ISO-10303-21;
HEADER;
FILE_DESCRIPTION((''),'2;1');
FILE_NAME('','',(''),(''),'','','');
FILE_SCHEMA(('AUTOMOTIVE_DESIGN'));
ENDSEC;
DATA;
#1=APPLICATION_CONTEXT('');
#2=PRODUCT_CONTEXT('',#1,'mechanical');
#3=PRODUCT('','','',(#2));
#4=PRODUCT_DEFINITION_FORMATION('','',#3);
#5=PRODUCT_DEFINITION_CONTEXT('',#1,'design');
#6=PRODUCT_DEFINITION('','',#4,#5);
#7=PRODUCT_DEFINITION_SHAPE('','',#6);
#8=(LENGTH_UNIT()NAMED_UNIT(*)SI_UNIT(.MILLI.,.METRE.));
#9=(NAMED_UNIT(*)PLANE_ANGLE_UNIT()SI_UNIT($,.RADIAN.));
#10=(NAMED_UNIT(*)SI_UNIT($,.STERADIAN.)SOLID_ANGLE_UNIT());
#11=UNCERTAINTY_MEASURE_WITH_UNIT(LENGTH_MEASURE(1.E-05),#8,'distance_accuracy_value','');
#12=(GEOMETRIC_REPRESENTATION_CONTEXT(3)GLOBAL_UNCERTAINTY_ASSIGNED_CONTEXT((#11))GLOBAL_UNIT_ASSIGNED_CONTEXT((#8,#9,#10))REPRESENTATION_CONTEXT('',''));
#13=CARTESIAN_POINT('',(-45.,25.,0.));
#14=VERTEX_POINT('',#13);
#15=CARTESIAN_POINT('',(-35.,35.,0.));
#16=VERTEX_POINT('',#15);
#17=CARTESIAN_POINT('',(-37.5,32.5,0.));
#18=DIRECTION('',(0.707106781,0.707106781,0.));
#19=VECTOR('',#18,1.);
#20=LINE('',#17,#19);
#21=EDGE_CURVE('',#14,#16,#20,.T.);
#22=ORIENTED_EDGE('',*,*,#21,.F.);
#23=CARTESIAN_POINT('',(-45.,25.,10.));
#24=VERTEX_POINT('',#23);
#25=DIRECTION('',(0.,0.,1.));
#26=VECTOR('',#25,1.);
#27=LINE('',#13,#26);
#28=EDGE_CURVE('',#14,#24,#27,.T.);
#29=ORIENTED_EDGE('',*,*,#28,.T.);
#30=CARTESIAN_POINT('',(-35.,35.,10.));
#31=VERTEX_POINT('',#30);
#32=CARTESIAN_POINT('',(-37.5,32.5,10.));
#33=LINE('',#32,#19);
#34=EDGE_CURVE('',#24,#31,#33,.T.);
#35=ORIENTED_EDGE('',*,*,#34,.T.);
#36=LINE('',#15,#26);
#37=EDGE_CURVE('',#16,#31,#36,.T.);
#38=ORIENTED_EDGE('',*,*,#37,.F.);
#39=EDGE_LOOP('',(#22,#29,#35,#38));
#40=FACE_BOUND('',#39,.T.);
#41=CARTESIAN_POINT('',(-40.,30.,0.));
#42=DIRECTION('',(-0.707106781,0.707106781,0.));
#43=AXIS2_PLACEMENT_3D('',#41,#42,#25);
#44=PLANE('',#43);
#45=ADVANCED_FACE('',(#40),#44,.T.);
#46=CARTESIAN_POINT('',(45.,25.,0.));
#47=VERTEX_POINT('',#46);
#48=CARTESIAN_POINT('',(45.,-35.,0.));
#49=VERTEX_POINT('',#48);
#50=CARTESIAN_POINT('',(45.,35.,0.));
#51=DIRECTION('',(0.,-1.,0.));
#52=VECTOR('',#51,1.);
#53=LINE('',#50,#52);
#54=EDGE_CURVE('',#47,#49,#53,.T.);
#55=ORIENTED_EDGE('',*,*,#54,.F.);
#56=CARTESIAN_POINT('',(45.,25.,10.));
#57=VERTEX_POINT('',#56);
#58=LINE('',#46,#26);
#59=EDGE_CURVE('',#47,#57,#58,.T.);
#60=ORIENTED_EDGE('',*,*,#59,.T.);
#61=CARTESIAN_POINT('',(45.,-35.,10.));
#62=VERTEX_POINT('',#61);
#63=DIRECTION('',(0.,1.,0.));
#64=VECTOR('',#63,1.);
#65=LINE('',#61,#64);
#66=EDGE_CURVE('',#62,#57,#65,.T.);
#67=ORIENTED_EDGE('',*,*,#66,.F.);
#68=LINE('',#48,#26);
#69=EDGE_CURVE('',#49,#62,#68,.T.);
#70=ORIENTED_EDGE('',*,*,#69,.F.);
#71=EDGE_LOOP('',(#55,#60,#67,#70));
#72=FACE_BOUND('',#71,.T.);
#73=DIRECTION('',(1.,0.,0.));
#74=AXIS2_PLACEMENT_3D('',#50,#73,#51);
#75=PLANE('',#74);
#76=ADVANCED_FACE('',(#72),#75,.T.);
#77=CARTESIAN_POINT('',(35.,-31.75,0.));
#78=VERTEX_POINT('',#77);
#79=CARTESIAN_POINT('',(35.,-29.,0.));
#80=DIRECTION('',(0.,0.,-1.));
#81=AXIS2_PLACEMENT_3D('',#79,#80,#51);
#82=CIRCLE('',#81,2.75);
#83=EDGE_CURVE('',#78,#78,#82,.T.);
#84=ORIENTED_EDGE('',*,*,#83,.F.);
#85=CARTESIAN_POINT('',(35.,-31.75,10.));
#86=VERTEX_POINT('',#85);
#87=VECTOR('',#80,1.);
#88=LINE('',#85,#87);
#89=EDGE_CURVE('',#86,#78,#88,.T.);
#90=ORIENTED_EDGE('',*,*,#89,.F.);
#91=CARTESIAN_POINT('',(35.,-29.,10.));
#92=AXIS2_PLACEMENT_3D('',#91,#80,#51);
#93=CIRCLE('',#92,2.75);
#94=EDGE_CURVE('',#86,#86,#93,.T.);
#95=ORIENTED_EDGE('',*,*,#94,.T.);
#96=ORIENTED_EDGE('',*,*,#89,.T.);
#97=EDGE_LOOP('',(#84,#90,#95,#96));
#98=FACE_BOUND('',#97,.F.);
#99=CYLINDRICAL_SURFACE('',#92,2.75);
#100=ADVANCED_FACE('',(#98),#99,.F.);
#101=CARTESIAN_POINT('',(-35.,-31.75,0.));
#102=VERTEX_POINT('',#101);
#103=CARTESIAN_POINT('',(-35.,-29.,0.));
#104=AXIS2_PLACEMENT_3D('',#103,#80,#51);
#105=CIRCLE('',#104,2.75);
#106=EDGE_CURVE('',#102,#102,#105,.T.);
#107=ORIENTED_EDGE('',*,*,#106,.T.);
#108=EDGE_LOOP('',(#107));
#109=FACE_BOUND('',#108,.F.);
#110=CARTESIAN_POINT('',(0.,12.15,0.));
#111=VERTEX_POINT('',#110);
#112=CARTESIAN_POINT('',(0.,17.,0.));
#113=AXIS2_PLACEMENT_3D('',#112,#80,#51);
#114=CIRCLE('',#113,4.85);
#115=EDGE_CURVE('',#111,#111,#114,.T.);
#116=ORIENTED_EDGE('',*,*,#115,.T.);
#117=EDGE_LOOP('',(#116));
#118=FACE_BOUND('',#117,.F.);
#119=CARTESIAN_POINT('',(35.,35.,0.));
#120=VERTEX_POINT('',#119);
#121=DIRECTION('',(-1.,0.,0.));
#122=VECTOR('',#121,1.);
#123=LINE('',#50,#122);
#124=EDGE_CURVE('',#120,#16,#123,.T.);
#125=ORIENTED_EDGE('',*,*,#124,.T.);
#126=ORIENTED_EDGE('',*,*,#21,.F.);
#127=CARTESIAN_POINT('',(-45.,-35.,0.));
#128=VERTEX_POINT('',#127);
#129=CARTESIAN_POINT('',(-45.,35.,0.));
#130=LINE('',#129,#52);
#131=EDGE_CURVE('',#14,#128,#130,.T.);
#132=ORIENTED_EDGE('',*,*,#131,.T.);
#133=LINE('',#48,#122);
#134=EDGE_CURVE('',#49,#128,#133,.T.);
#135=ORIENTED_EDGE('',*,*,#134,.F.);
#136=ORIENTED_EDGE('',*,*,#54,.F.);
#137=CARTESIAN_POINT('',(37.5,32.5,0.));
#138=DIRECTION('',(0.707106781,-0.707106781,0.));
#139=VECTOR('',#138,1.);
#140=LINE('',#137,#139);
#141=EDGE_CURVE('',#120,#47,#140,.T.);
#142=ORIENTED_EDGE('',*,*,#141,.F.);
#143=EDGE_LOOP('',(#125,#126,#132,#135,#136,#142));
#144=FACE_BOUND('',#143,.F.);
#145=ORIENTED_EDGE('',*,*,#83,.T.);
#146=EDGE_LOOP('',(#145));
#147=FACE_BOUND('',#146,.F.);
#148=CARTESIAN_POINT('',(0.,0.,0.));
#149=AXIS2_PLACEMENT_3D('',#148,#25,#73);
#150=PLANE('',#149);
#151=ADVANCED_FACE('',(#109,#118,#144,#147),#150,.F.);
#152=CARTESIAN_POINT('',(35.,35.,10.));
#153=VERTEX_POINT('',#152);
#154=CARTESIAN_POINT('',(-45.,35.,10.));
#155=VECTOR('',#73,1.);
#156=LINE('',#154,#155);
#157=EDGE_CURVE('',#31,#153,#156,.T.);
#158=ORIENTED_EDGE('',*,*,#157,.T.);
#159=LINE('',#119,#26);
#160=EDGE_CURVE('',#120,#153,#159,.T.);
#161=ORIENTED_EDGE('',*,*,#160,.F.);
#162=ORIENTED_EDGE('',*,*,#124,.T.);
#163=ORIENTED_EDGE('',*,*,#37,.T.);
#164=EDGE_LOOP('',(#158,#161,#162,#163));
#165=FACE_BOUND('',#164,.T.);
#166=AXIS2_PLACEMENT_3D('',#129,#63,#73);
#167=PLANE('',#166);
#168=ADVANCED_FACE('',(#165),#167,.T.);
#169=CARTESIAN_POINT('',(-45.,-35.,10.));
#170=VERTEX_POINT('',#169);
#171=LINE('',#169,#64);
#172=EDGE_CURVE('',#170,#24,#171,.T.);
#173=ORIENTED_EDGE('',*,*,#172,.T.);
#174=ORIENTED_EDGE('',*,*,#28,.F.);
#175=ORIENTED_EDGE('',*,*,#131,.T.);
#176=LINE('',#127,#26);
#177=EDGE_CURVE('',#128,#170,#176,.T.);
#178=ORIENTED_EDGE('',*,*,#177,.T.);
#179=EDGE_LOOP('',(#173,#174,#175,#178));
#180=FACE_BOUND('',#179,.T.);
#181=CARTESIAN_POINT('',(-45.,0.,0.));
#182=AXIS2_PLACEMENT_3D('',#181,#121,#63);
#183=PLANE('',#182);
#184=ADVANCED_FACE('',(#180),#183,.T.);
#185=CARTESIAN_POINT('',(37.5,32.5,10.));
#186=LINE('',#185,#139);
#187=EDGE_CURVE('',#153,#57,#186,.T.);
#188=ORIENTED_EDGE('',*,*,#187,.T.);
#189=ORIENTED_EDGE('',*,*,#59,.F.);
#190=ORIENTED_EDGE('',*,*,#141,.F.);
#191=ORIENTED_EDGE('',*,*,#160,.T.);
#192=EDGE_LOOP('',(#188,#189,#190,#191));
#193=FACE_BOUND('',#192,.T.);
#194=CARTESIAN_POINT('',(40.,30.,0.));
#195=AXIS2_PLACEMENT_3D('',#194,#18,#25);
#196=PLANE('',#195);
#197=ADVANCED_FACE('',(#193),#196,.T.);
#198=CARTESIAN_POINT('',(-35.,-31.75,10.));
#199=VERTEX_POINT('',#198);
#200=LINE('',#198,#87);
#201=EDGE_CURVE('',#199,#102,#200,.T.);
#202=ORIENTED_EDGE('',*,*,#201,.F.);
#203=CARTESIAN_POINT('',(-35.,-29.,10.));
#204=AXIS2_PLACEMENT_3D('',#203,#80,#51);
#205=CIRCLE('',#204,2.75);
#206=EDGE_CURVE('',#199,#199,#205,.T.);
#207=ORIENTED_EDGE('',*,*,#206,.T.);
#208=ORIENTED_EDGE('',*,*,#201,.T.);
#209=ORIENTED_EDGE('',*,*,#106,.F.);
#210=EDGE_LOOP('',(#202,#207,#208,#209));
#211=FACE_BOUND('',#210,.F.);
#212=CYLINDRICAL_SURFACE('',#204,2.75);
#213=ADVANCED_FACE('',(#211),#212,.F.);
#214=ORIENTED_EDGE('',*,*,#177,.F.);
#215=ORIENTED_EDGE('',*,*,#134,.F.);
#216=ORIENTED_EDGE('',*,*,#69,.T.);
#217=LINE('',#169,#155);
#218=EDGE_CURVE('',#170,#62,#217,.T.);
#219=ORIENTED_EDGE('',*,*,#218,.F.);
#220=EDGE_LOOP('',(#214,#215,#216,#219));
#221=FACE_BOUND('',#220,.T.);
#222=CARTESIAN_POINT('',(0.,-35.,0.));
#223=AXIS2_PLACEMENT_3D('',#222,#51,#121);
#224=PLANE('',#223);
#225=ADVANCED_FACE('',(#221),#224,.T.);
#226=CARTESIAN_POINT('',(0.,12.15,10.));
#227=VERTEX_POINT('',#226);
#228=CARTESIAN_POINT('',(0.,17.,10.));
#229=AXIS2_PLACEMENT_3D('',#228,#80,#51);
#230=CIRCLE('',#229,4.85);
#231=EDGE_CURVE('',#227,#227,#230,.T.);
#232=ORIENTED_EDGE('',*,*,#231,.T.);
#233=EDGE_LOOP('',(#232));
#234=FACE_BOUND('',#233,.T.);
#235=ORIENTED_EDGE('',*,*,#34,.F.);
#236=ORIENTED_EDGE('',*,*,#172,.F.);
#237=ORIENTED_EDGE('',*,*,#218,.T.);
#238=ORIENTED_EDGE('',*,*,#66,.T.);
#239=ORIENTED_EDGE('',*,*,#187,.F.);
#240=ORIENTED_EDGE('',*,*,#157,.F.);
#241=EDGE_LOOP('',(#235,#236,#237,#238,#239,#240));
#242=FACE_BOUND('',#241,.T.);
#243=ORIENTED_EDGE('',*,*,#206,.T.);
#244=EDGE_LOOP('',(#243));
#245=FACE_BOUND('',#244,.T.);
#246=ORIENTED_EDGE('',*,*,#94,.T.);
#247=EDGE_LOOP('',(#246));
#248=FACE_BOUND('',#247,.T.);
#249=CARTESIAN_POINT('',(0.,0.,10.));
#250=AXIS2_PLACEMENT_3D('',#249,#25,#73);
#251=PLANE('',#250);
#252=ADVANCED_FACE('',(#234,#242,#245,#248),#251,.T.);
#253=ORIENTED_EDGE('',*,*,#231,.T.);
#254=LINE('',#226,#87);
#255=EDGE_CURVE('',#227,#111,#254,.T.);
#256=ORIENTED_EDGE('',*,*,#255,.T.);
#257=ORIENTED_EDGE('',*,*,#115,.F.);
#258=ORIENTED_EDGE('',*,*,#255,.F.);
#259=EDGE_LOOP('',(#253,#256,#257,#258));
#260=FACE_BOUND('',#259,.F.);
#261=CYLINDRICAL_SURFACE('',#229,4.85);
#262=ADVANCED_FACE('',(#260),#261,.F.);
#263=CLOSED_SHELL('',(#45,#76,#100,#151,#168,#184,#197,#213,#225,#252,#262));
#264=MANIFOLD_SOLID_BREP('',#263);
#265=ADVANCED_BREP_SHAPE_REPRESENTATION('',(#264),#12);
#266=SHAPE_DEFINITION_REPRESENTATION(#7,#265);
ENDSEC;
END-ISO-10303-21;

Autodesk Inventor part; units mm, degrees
ref_plane "YZ Plane" through (0, 0, 0) normal (1, 0, 0) x (0, 1, 0)
ref_plane "XZ Plane" through (0, 0, 0) normal (0, 1, 0) x (-1, 0, 0)
ref_plane "XY Plane" through (0, 0, 0) normal (0, 0, 1) x (1, 0, 0)
sketch "Skizze_Grundkörper" plane through (0, 0, 0) normal (0, 0, 1) x (1, 0, 0)
  line L0 (-63, 0) -> (63, 0) projected
  line L1 (0, -49) -> (0, 49) projected
  line L2 (45, -35) -> (-45, -35)
  line L3 (-45, -35) -> (-45, 35)
  line L4 (-45, 35) -> (45, 35)
  line L5 (45, 35) -> (45, -35)
  line L6 (45, -35) -> (-45, 35) construction
  line L7 (-45, -35) -> (45, 35) construction
  point P0 (0, 0)
  dimension "Länge" = 90
  dimension "Höhe" = 70
extrude "Grundkörper" add sketch "Skizze_Grundkörper" along normal blind 10
sketch "Skizze2" plane through (0, 0, 10) normal (0, 0, 1) x (1, 0, 0)
  line L0 (-45, -35) -> (45, -35) projected
  line L1 (45, -35) -> (45, 35) projected
  line L2 (45, 35) -> (-45, 35) projected
  line L3 (-45, 35) -> (-45, -35) projected
  line L4 (-63, 0) -> (63, 0) projected
  line L5 (0, -49) -> (0, 49) projected
  point P0 (0, 0)
  point P1 (0, 17)
  dimension "d4" = 52
hole "Bohrung_9,7_mm" at (0, 17, 10) direction (0, 0, -1) diameter 9.7 end through all
sketch "Skizze3" plane through (0, 0, 10) normal (0, 0, 1) x (1, 0, 0)
  circle A0 centre (0, 17) radius 4.85 projected
  line L0 (-45, -35) -> (45, -35) projected
  line L1 (45, -35) -> (45, 35) projected
  line L2 (45, 35) -> (-45, 35) projected
  line L3 (-45, 35) -> (-45, -35) projected
  line L4 (-63, 0) -> (63, 0) projected
  line L5 (0, -49) -> (0, 49) projected
  point P0 (0, 0)
  point P1 (-35, -29)
  point P2 (35, -29)
  dimension "d12" = 70
  dimension "d13" = 6
hole "Bohrung_5,5_mm" at (-35, -29, 10) at (35, -29, 10) direction (0, 0, -1) diameter 5.5 end through all
chamfer "Fase_10_mm" distance 10 angle 45 2 edges at (-45, 35, 5) (45, 35, 5)
properties part number "Werkstück_C" material "Stahl, unlegiert"
